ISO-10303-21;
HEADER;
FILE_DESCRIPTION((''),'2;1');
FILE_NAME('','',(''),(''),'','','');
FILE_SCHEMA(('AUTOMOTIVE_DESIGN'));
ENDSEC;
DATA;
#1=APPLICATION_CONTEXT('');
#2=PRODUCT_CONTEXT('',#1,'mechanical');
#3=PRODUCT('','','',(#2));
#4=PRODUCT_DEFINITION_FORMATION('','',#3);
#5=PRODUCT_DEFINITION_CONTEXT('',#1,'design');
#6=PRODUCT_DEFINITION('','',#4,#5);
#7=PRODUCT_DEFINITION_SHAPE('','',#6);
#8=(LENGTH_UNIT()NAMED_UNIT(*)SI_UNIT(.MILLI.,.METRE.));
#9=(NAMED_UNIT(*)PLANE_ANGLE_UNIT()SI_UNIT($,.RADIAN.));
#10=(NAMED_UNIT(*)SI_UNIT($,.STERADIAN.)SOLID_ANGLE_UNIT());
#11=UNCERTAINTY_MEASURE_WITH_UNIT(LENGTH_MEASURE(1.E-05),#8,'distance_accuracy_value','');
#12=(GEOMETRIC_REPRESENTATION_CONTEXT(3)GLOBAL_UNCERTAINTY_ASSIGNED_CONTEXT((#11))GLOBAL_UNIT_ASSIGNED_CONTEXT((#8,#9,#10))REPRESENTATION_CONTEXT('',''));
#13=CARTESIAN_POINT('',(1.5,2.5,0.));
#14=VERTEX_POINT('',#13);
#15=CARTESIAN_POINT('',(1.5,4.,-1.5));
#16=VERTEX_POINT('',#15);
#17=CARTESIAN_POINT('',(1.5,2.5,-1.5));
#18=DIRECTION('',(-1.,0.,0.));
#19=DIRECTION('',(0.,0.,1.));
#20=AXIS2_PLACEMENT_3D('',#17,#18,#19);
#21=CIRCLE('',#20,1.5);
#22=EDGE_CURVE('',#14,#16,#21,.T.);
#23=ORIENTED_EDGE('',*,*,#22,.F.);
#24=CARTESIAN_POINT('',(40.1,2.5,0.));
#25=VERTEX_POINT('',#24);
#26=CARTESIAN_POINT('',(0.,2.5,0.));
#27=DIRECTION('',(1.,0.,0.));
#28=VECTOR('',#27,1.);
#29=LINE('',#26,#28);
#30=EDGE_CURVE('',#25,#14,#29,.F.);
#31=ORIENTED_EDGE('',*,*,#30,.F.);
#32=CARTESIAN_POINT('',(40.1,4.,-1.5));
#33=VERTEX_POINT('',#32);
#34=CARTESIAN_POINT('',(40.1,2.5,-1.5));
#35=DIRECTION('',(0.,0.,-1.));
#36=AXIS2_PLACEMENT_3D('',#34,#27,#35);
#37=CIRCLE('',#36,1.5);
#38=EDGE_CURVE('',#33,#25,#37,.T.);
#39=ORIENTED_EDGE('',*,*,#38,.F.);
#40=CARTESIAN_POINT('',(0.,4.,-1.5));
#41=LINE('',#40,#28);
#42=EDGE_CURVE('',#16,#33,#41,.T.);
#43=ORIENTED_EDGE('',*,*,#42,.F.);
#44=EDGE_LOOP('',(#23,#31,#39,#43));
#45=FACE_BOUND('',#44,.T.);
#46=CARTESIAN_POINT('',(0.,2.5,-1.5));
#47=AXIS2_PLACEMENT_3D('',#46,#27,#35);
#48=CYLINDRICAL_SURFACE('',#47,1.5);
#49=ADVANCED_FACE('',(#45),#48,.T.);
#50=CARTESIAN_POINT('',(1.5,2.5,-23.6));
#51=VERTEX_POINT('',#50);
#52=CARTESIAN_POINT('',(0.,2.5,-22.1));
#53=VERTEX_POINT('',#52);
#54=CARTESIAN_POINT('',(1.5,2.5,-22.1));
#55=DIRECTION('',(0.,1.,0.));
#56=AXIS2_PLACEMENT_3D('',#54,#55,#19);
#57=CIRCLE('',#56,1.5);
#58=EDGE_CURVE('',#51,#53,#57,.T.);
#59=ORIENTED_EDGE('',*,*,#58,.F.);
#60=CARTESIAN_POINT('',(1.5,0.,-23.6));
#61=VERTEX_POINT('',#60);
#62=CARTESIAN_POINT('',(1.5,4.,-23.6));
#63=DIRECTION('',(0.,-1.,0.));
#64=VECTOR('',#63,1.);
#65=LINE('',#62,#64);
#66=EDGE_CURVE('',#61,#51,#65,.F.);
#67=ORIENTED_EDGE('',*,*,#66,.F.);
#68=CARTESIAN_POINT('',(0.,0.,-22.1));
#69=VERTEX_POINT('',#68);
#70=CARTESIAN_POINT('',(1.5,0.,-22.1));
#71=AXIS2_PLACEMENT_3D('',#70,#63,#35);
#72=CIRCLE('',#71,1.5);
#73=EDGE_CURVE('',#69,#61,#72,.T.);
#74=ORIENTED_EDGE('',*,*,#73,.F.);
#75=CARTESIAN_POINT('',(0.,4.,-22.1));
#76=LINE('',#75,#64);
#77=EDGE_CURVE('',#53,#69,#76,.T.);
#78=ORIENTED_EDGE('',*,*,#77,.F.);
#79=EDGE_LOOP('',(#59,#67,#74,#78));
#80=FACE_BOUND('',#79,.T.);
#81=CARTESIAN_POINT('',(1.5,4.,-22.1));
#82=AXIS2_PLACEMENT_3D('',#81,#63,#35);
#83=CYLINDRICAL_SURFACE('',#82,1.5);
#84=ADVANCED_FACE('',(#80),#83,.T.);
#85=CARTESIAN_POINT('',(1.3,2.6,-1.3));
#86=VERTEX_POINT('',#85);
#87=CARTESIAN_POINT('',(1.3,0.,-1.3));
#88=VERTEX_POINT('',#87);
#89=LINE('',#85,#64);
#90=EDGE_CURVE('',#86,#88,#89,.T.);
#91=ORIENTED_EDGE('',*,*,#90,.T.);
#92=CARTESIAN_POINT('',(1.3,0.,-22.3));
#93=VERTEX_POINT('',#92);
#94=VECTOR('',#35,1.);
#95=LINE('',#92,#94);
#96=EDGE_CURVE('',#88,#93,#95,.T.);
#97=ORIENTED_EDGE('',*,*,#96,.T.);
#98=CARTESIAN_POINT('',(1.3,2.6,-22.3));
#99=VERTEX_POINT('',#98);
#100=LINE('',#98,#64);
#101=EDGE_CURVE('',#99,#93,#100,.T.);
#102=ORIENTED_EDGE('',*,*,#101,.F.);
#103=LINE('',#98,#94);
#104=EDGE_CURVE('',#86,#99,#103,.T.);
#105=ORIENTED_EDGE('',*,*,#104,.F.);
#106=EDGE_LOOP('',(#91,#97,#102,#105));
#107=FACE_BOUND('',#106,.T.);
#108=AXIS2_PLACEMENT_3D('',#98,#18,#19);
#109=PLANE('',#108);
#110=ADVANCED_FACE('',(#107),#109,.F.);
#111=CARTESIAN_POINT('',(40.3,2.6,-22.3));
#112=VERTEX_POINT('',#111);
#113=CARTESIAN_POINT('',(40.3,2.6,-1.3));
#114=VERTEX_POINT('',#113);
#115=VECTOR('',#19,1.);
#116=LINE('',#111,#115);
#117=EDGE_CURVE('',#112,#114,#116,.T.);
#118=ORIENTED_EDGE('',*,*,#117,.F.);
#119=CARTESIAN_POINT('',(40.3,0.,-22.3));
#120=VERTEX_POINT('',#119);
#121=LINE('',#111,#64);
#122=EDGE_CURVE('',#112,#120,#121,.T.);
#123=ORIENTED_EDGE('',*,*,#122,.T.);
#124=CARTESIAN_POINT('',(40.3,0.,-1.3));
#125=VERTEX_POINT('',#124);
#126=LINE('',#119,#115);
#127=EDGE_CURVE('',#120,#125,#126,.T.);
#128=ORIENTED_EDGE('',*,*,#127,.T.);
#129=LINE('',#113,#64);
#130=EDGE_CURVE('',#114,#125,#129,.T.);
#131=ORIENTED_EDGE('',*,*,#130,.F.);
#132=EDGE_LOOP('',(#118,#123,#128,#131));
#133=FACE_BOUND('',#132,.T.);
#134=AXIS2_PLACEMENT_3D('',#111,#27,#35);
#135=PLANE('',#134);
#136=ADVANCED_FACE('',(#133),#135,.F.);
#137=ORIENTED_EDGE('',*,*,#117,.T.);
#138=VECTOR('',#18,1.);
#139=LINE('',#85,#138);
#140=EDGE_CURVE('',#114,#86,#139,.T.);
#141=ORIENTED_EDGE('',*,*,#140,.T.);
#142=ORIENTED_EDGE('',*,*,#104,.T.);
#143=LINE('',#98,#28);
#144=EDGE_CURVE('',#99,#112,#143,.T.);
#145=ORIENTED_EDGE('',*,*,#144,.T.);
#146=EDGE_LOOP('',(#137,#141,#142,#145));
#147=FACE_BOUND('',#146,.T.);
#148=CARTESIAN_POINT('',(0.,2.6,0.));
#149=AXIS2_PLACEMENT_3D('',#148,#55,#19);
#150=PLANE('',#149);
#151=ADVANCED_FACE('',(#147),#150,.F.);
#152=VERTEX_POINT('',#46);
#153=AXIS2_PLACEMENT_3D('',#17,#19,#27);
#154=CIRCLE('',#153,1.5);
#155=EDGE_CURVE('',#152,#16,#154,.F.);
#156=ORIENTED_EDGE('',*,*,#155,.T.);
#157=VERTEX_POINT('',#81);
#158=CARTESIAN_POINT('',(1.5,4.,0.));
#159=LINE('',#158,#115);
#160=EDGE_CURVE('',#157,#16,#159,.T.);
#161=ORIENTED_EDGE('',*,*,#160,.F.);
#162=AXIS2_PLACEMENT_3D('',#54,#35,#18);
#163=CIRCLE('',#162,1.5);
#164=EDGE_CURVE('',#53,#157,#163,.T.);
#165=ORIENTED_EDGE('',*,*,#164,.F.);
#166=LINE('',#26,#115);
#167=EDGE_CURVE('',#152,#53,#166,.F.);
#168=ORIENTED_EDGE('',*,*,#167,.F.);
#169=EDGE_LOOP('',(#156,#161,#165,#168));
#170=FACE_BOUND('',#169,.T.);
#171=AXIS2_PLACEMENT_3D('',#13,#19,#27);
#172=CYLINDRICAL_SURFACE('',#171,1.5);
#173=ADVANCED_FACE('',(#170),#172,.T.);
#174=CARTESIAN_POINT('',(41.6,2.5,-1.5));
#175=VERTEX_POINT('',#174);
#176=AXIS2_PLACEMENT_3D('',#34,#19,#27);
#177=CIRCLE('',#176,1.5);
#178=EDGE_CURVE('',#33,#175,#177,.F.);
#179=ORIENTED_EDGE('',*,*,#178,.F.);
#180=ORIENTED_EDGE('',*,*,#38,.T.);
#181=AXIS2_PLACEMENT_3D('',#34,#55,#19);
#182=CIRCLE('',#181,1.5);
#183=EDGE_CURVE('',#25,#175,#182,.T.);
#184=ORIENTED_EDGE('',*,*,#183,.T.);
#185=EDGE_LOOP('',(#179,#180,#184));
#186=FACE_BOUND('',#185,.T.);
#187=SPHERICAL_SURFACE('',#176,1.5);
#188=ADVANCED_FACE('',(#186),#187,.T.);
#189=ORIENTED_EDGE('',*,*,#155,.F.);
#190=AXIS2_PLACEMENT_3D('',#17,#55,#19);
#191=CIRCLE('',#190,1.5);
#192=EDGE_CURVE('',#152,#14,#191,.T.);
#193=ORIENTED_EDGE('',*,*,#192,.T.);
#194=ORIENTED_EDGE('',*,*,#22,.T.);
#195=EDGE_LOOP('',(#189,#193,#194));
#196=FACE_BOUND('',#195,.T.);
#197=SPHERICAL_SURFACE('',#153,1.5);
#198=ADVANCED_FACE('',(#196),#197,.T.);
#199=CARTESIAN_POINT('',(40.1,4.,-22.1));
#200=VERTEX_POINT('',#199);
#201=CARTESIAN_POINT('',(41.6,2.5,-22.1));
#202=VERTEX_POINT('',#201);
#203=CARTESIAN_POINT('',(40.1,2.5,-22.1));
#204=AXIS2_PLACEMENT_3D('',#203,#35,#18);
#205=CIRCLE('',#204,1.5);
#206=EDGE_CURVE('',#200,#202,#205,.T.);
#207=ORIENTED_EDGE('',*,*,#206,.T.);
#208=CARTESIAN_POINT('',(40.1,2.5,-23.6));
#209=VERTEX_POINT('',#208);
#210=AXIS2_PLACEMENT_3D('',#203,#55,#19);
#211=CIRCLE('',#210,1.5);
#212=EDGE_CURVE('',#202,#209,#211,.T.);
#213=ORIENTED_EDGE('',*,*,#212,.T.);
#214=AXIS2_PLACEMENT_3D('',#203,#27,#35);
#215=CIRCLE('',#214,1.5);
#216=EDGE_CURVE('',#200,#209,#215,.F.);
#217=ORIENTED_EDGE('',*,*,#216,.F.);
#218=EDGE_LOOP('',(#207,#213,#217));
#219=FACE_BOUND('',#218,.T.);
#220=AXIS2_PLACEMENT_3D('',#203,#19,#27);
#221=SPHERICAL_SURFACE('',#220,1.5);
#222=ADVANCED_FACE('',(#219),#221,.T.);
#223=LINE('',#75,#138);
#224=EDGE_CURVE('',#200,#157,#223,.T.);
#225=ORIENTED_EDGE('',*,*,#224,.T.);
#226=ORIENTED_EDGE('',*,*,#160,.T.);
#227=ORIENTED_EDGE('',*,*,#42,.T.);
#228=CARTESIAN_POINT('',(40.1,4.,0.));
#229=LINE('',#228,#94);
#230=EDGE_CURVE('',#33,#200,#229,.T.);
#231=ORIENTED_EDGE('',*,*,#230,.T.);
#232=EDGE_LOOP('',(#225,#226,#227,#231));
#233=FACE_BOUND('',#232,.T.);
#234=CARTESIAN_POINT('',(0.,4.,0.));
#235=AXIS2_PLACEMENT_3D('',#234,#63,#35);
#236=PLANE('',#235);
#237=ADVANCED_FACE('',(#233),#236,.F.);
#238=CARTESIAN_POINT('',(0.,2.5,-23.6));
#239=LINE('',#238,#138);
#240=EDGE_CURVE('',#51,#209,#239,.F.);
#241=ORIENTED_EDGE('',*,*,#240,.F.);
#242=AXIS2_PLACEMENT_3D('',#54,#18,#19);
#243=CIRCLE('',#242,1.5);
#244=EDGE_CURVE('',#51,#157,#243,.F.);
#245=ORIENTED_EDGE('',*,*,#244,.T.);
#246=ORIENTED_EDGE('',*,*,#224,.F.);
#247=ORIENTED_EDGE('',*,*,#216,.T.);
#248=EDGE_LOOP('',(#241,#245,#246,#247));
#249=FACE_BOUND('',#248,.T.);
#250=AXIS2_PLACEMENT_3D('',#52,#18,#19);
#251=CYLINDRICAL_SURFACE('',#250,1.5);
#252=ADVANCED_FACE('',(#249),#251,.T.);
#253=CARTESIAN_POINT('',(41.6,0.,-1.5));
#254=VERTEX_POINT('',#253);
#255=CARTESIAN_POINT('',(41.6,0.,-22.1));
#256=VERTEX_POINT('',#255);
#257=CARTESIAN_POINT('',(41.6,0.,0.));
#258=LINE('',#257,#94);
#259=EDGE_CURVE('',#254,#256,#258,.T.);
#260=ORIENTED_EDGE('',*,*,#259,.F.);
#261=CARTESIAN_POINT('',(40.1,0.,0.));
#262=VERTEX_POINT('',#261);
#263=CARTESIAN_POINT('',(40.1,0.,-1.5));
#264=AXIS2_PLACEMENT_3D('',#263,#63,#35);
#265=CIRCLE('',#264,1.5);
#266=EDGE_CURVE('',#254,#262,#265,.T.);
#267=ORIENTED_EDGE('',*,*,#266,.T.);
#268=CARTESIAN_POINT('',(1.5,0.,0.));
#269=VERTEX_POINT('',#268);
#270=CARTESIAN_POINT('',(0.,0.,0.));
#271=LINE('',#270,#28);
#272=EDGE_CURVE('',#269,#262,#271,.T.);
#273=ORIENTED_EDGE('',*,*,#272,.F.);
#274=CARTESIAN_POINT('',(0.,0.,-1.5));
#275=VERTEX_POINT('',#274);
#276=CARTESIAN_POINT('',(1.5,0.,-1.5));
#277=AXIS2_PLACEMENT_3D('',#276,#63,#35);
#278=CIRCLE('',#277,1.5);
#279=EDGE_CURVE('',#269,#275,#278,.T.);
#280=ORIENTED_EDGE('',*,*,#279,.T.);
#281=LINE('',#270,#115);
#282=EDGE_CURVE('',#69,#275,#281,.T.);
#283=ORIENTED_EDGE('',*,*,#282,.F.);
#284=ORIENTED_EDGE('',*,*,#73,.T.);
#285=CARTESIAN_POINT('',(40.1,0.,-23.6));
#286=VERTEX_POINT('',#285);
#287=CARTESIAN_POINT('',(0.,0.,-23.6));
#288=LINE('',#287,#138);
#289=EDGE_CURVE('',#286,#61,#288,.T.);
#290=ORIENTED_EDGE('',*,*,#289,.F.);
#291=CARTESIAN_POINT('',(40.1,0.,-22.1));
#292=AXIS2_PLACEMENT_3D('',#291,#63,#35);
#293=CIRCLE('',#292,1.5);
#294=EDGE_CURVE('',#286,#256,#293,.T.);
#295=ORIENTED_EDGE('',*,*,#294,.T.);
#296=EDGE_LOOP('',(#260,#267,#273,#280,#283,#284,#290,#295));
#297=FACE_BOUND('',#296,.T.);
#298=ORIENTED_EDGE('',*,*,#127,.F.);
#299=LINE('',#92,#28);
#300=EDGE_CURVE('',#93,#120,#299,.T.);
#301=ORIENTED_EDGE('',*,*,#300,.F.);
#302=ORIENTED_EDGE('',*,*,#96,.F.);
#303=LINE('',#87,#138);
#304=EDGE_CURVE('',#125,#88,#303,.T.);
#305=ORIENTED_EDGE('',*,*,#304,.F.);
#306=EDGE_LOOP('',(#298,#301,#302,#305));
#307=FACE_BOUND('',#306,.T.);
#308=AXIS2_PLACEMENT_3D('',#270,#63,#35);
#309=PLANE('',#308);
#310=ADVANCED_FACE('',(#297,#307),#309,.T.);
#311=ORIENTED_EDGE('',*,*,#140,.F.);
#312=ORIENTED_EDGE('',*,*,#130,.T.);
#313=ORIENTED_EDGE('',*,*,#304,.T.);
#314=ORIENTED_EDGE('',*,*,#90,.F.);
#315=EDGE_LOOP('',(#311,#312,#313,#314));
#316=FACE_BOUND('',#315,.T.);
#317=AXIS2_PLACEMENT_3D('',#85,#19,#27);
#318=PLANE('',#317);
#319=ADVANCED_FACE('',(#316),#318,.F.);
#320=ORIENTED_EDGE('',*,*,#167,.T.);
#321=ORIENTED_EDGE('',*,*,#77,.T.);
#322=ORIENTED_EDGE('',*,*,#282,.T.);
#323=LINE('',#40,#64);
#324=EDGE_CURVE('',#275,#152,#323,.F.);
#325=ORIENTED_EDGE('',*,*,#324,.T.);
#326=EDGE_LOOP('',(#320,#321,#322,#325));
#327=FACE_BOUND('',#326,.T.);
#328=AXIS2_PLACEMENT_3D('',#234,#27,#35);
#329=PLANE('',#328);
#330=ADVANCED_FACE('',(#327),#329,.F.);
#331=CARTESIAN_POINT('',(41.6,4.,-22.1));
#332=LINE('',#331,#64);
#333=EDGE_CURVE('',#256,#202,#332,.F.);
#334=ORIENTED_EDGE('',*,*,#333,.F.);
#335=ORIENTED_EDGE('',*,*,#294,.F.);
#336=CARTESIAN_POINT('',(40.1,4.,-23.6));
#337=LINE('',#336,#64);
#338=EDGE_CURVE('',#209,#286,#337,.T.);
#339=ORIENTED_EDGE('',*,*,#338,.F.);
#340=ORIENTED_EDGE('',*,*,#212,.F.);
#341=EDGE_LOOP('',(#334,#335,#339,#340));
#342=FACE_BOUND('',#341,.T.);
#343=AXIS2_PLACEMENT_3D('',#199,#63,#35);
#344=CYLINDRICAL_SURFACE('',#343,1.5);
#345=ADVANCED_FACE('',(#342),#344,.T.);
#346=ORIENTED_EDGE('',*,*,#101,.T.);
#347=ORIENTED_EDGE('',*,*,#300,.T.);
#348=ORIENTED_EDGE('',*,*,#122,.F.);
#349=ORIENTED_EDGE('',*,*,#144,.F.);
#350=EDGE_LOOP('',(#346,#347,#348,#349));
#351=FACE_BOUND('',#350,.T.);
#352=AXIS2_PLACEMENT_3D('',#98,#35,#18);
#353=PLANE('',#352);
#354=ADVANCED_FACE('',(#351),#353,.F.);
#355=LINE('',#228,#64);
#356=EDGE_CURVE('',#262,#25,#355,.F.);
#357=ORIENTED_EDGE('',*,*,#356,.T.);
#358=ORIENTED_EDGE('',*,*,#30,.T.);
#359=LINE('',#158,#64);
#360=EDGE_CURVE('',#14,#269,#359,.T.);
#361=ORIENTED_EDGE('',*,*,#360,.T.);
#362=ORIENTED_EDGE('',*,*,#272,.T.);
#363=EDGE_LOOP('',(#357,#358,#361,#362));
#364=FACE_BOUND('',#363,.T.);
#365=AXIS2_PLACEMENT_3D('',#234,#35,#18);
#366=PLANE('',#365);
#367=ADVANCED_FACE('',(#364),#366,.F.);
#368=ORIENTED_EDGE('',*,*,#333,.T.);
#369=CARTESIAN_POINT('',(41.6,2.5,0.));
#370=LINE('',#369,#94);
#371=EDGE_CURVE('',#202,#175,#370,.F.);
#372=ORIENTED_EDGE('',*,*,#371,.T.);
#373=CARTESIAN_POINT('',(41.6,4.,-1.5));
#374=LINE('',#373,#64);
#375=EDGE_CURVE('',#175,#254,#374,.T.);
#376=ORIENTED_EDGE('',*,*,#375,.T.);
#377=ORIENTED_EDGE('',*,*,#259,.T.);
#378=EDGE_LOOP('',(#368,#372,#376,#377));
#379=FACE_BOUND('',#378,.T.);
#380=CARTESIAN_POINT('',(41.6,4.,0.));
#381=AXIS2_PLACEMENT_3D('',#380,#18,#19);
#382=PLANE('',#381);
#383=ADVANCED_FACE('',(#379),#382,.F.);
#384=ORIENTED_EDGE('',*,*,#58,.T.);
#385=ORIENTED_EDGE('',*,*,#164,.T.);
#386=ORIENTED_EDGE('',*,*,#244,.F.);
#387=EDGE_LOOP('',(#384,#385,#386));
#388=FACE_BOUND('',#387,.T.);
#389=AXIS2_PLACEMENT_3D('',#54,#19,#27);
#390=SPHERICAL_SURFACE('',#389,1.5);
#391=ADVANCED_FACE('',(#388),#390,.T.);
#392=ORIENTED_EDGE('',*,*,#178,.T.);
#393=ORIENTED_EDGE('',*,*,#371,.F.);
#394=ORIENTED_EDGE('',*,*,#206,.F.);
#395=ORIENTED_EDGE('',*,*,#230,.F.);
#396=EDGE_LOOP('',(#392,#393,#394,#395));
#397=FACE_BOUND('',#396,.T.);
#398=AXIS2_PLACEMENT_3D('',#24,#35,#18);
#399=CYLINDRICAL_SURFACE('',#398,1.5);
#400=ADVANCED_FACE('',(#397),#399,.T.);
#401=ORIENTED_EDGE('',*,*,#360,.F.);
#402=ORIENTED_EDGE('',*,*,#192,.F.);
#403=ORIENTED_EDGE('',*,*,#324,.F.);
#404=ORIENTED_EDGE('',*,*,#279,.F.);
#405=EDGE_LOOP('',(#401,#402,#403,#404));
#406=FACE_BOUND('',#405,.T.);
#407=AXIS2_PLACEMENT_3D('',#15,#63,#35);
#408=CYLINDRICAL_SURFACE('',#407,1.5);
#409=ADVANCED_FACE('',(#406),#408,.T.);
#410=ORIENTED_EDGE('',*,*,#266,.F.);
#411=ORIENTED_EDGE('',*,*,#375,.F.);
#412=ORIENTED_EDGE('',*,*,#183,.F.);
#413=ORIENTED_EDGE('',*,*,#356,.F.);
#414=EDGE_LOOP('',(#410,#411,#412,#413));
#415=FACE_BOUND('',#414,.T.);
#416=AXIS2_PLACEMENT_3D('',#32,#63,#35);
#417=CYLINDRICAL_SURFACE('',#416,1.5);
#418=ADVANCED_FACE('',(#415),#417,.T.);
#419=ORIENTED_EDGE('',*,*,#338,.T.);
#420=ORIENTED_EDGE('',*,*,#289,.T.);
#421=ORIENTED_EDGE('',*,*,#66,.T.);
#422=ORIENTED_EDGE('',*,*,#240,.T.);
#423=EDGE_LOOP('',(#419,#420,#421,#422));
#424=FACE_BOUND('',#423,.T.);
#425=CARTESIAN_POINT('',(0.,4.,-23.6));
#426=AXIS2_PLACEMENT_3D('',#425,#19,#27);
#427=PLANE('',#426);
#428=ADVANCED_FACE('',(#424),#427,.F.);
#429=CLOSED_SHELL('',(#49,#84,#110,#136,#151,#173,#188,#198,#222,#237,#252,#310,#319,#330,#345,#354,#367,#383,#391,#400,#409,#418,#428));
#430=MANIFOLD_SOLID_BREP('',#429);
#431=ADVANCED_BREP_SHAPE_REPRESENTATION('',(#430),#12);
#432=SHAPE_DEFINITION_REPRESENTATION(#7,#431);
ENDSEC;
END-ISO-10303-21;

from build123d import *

# Parameters (mm, degrees)
SKETCH1_W           = 41.6
SKETCH1_H           = 23.6
BOSS_EXTRUDE1_DEPTH = 4
SKETCH2_W           = 39
SKETCH2_H           = 21
CUT_EXTRUDE1_DEPTH  = 2.6
FILLET1_R           = 1.5


with BuildPart() as part:
    # Sketch1 → Boss-Extrude1 (new body)
    with BuildSketch(Plane(origin=(0, 0, 0), x_dir=(1, 0, 0), z_dir=(0, 1, 0))):
        with Locations((20.8, 11.8)):
            Rectangle(SKETCH1_W, SKETCH1_H)
    extrude(amount=BOSS_EXTRUDE1_DEPTH)

    # Sketch2 → Cut-Extrude1 (cut)
    with BuildSketch(Plane.XZ):
        with Locations((20.8, -11.8)):
            Rectangle(SKETCH2_W, SKETCH2_H)
    extrude(amount=-CUT_EXTRUDE1_DEPTH, mode=Mode.SUBTRACT)

    # Fillet1
    fillet1_edges = [part.edges().sort_by_distance(p)[0] for p in [
        (41.6, 4, -11.8),
        (20.8, 4, -23.6),
        (0, 4, -11.8),
        (20.8, 4, 0),
        (0, 2, -23.6),
        (41.6, 2, -23.6),
        (41.6, 2, 0),
        (0, 2, 0),
    ]]
    fillet(fillet1_edges, radius=FILLET1_R)


solid = part.part
